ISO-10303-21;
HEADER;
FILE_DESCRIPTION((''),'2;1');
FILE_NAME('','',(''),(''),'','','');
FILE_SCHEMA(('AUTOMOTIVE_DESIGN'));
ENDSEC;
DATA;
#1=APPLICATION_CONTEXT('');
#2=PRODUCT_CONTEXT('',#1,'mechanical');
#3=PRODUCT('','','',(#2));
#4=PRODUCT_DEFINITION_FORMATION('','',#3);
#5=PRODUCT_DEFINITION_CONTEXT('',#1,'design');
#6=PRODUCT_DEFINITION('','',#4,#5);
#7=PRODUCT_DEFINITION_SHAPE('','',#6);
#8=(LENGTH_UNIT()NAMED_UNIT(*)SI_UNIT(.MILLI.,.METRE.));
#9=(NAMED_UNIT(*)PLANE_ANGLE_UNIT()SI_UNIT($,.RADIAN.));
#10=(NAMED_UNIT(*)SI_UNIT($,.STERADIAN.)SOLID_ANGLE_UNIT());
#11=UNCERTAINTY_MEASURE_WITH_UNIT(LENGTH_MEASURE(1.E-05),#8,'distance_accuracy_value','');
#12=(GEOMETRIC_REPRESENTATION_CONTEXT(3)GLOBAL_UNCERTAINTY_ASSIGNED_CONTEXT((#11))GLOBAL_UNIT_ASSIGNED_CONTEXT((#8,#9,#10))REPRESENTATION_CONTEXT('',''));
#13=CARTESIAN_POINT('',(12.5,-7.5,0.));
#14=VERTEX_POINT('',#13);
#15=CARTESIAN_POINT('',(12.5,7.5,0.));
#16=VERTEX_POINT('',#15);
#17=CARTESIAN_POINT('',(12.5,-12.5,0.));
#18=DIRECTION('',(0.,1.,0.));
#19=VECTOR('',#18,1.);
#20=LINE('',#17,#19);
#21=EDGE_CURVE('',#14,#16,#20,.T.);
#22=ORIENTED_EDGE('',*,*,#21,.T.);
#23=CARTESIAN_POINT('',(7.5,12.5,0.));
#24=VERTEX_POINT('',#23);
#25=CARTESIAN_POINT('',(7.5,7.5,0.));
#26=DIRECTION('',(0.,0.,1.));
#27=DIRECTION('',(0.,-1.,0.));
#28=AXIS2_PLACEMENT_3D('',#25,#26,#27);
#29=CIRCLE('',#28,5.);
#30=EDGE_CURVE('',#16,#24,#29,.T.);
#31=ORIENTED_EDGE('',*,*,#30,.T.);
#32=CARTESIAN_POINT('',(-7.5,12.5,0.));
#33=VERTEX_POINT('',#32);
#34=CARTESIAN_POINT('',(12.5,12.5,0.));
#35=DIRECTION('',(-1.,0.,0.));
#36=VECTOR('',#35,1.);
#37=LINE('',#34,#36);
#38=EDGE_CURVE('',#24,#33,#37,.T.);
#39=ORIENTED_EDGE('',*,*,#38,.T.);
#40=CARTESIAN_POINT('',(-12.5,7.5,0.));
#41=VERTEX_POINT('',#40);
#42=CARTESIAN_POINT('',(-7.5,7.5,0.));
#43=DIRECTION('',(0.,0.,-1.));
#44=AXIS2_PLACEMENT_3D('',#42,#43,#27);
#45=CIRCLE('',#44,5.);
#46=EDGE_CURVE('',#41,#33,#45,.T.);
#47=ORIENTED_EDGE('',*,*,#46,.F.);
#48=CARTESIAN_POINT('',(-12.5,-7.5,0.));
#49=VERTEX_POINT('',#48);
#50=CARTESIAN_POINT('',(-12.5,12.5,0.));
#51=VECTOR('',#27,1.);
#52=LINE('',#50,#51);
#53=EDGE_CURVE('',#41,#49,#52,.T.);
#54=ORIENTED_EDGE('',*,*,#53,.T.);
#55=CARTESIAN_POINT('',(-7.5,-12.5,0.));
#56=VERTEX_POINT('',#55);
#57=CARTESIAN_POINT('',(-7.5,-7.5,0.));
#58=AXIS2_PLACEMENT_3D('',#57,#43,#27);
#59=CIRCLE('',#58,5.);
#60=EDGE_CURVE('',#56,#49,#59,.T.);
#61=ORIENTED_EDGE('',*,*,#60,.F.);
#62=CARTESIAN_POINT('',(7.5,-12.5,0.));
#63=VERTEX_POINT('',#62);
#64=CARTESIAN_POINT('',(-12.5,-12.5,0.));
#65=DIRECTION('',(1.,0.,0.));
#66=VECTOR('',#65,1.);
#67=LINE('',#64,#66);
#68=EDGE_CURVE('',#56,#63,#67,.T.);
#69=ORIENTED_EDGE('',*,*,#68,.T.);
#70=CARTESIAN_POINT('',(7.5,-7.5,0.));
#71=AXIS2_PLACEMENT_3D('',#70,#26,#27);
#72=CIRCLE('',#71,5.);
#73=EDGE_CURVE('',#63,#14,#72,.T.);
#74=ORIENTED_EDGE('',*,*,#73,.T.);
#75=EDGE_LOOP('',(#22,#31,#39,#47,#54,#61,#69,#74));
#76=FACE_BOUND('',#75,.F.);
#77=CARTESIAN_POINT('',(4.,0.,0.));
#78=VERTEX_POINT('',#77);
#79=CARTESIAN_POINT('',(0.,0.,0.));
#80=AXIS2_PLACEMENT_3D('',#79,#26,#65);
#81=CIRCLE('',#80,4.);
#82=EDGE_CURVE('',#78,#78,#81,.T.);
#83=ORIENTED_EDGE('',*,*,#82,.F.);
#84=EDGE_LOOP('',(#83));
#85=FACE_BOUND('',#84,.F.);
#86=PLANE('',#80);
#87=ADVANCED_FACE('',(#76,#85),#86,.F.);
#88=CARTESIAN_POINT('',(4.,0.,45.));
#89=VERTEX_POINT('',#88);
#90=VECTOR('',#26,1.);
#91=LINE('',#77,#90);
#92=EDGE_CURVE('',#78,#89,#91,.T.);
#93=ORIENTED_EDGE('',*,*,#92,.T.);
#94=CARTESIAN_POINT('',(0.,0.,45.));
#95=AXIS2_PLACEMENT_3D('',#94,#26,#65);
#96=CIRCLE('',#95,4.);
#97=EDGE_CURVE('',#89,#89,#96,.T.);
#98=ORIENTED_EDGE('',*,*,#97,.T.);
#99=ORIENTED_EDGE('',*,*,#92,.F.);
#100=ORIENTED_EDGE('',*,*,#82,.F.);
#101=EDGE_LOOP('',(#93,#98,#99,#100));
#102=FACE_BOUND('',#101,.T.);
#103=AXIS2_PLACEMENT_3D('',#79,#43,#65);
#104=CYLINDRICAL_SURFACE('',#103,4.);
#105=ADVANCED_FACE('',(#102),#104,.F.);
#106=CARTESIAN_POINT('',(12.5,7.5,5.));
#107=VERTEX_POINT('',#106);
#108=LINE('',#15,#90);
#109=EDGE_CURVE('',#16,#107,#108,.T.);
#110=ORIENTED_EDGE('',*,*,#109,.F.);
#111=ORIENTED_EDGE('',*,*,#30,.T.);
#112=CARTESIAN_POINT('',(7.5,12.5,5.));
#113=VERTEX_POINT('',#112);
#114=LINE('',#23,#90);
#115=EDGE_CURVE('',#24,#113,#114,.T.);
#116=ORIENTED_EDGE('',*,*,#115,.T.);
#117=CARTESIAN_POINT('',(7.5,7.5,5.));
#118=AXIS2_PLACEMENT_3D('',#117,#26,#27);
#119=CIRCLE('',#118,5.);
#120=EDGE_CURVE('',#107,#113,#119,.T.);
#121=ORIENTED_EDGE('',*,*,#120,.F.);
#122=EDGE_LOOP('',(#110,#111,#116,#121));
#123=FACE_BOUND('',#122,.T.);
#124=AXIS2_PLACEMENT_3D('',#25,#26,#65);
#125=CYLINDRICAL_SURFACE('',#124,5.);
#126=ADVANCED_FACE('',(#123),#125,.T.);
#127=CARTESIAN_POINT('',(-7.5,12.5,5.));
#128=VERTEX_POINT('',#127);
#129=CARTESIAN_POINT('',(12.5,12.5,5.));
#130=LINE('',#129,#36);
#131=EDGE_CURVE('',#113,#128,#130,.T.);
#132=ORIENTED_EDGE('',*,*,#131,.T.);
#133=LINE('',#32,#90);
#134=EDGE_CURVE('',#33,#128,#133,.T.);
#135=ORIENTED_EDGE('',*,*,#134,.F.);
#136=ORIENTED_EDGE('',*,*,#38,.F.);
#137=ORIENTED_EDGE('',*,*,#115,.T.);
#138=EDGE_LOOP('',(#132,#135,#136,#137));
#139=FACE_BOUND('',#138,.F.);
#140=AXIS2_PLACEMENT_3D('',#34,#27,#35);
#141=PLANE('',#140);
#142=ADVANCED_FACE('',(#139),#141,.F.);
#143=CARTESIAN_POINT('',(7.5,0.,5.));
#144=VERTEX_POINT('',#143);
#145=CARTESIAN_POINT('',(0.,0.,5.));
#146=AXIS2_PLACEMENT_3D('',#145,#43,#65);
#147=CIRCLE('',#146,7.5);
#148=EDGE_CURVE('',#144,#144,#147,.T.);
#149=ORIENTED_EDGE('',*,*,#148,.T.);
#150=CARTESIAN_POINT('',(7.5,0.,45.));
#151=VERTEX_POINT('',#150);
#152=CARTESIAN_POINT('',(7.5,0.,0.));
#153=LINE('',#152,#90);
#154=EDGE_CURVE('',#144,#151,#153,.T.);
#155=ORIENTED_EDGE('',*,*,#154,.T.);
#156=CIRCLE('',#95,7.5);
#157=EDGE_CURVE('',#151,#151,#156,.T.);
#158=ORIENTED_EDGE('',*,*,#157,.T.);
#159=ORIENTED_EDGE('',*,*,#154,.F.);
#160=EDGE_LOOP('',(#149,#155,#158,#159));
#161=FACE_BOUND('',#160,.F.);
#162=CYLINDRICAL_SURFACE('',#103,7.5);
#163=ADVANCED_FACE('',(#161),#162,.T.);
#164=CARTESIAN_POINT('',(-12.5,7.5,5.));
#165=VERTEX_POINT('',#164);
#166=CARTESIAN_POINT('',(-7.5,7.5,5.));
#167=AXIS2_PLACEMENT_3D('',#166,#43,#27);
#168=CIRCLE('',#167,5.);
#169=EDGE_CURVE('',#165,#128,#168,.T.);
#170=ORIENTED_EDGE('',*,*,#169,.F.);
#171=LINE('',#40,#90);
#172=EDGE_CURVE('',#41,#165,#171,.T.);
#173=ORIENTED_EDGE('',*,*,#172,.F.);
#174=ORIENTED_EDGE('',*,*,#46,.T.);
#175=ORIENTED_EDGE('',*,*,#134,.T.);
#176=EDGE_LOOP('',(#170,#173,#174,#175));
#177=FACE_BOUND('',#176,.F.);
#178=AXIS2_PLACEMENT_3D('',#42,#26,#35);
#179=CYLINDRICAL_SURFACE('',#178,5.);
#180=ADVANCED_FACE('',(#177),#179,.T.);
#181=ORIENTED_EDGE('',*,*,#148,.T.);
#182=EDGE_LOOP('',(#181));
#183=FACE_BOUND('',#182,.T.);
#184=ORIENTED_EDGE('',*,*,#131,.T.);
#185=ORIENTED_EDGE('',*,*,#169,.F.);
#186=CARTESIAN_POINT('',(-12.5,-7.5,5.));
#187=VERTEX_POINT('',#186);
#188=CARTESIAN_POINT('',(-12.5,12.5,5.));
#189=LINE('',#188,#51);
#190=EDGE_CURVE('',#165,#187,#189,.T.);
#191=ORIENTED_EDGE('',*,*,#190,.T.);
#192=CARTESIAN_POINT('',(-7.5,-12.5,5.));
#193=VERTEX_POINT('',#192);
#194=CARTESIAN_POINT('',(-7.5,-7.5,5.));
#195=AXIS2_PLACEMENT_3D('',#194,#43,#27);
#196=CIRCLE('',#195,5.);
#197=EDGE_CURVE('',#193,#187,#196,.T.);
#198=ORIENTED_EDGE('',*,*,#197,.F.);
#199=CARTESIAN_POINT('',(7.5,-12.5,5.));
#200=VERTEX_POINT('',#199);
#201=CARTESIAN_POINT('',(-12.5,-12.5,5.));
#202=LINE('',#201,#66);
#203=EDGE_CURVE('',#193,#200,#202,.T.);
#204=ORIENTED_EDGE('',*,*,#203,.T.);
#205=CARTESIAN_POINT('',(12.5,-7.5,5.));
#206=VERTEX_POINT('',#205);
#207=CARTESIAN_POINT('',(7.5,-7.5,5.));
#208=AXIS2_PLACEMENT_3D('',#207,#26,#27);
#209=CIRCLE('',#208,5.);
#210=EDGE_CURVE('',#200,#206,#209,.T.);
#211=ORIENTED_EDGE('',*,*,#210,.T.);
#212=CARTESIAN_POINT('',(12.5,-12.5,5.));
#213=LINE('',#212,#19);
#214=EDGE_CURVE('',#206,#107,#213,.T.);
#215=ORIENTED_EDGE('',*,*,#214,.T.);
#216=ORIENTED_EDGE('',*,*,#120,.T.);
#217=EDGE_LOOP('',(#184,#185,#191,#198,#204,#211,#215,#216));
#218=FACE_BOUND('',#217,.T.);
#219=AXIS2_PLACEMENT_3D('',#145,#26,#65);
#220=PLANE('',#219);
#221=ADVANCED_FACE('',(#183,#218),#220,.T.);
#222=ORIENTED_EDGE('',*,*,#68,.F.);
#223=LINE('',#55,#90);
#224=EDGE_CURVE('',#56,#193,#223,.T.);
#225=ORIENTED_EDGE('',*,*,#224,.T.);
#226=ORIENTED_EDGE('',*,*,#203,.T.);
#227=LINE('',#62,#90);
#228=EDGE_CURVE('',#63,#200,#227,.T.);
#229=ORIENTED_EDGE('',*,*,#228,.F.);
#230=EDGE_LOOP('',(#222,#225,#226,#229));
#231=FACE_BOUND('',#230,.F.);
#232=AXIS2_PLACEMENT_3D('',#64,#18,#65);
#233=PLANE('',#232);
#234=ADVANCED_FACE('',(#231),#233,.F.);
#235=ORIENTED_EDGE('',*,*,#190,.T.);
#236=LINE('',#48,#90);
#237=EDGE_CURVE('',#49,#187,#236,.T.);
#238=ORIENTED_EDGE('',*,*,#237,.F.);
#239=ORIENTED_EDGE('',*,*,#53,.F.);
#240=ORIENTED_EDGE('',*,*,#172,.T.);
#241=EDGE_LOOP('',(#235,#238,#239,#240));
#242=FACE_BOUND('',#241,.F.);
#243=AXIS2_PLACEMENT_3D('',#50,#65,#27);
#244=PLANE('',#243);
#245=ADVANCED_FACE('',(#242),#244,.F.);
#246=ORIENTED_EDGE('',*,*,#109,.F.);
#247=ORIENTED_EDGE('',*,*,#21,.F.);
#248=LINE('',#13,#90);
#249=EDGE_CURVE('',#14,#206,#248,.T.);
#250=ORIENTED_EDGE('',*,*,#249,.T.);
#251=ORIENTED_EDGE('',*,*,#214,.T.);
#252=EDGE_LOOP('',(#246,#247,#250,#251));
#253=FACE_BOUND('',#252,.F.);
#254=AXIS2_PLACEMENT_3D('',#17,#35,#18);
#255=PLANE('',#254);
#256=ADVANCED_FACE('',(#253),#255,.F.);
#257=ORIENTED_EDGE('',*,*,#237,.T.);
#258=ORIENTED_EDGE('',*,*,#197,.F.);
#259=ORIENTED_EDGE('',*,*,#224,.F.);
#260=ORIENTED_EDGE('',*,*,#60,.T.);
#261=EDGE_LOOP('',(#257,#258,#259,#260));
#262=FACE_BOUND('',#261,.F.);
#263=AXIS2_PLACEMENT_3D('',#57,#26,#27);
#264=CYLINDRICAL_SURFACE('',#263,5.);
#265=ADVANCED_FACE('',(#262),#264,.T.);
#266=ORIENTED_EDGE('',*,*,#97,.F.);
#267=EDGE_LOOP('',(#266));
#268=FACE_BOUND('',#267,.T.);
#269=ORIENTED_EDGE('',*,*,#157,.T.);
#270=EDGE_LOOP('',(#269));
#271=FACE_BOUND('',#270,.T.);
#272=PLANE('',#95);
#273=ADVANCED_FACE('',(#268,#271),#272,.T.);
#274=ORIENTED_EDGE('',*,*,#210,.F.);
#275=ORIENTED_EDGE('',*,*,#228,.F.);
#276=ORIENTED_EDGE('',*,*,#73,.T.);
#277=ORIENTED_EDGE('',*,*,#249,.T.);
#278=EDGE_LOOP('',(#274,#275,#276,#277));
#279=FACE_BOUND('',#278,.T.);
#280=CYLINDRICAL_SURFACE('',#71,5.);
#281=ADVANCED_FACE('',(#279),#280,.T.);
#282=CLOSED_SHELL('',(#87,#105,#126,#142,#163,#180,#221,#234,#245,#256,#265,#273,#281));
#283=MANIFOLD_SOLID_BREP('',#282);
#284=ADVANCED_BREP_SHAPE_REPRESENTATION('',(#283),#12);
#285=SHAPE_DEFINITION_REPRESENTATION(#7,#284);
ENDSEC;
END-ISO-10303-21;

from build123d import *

# Parameters (mm, degrees)
F2_DEPTH = 5
F0_R     = 7.5
F0_R_2   = 4
F3_DEPTH = 45
F4_R     = 5
F5_DEPTH = 45


with BuildPart() as f2:
    # F1 (on Top) → F2 (new body)
    with BuildSketch(Plane.XY):
        Polygon((-12.5, -12.5), (0, -12.5), (12.5, -12.5), (12.5, 12.5), (-12.5, 12.5), align=None)
    extrude(amount=F2_DEPTH)

    # F0 (on Top) → F3 (join)
    with BuildSketch(Plane.XY):
        Circle(F0_R)
        Circle(F0_R_2, mode=Mode.SUBTRACT)
    extrude(amount=F3_DEPTH)

    # F4
    f4_edges = [f2.edges().sort_by_distance(p)[0] for p in [
        (12.5, 12.5, 2.5),
        (-12.5, 12.5, 2.5),
        (12.5, -12.5, 2.5),
        (-12.5, -12.5, 2.5),
    ]]
    fillet(f4_edges, radius=F4_R)

    # F0 (on Top) → F5 (cut)
    with BuildSketch(Plane.XY):
        Circle(F0_R_2)
    extrude(amount=F5_DEPTH, mode=Mode.SUBTRACT)


solid = f2.part
